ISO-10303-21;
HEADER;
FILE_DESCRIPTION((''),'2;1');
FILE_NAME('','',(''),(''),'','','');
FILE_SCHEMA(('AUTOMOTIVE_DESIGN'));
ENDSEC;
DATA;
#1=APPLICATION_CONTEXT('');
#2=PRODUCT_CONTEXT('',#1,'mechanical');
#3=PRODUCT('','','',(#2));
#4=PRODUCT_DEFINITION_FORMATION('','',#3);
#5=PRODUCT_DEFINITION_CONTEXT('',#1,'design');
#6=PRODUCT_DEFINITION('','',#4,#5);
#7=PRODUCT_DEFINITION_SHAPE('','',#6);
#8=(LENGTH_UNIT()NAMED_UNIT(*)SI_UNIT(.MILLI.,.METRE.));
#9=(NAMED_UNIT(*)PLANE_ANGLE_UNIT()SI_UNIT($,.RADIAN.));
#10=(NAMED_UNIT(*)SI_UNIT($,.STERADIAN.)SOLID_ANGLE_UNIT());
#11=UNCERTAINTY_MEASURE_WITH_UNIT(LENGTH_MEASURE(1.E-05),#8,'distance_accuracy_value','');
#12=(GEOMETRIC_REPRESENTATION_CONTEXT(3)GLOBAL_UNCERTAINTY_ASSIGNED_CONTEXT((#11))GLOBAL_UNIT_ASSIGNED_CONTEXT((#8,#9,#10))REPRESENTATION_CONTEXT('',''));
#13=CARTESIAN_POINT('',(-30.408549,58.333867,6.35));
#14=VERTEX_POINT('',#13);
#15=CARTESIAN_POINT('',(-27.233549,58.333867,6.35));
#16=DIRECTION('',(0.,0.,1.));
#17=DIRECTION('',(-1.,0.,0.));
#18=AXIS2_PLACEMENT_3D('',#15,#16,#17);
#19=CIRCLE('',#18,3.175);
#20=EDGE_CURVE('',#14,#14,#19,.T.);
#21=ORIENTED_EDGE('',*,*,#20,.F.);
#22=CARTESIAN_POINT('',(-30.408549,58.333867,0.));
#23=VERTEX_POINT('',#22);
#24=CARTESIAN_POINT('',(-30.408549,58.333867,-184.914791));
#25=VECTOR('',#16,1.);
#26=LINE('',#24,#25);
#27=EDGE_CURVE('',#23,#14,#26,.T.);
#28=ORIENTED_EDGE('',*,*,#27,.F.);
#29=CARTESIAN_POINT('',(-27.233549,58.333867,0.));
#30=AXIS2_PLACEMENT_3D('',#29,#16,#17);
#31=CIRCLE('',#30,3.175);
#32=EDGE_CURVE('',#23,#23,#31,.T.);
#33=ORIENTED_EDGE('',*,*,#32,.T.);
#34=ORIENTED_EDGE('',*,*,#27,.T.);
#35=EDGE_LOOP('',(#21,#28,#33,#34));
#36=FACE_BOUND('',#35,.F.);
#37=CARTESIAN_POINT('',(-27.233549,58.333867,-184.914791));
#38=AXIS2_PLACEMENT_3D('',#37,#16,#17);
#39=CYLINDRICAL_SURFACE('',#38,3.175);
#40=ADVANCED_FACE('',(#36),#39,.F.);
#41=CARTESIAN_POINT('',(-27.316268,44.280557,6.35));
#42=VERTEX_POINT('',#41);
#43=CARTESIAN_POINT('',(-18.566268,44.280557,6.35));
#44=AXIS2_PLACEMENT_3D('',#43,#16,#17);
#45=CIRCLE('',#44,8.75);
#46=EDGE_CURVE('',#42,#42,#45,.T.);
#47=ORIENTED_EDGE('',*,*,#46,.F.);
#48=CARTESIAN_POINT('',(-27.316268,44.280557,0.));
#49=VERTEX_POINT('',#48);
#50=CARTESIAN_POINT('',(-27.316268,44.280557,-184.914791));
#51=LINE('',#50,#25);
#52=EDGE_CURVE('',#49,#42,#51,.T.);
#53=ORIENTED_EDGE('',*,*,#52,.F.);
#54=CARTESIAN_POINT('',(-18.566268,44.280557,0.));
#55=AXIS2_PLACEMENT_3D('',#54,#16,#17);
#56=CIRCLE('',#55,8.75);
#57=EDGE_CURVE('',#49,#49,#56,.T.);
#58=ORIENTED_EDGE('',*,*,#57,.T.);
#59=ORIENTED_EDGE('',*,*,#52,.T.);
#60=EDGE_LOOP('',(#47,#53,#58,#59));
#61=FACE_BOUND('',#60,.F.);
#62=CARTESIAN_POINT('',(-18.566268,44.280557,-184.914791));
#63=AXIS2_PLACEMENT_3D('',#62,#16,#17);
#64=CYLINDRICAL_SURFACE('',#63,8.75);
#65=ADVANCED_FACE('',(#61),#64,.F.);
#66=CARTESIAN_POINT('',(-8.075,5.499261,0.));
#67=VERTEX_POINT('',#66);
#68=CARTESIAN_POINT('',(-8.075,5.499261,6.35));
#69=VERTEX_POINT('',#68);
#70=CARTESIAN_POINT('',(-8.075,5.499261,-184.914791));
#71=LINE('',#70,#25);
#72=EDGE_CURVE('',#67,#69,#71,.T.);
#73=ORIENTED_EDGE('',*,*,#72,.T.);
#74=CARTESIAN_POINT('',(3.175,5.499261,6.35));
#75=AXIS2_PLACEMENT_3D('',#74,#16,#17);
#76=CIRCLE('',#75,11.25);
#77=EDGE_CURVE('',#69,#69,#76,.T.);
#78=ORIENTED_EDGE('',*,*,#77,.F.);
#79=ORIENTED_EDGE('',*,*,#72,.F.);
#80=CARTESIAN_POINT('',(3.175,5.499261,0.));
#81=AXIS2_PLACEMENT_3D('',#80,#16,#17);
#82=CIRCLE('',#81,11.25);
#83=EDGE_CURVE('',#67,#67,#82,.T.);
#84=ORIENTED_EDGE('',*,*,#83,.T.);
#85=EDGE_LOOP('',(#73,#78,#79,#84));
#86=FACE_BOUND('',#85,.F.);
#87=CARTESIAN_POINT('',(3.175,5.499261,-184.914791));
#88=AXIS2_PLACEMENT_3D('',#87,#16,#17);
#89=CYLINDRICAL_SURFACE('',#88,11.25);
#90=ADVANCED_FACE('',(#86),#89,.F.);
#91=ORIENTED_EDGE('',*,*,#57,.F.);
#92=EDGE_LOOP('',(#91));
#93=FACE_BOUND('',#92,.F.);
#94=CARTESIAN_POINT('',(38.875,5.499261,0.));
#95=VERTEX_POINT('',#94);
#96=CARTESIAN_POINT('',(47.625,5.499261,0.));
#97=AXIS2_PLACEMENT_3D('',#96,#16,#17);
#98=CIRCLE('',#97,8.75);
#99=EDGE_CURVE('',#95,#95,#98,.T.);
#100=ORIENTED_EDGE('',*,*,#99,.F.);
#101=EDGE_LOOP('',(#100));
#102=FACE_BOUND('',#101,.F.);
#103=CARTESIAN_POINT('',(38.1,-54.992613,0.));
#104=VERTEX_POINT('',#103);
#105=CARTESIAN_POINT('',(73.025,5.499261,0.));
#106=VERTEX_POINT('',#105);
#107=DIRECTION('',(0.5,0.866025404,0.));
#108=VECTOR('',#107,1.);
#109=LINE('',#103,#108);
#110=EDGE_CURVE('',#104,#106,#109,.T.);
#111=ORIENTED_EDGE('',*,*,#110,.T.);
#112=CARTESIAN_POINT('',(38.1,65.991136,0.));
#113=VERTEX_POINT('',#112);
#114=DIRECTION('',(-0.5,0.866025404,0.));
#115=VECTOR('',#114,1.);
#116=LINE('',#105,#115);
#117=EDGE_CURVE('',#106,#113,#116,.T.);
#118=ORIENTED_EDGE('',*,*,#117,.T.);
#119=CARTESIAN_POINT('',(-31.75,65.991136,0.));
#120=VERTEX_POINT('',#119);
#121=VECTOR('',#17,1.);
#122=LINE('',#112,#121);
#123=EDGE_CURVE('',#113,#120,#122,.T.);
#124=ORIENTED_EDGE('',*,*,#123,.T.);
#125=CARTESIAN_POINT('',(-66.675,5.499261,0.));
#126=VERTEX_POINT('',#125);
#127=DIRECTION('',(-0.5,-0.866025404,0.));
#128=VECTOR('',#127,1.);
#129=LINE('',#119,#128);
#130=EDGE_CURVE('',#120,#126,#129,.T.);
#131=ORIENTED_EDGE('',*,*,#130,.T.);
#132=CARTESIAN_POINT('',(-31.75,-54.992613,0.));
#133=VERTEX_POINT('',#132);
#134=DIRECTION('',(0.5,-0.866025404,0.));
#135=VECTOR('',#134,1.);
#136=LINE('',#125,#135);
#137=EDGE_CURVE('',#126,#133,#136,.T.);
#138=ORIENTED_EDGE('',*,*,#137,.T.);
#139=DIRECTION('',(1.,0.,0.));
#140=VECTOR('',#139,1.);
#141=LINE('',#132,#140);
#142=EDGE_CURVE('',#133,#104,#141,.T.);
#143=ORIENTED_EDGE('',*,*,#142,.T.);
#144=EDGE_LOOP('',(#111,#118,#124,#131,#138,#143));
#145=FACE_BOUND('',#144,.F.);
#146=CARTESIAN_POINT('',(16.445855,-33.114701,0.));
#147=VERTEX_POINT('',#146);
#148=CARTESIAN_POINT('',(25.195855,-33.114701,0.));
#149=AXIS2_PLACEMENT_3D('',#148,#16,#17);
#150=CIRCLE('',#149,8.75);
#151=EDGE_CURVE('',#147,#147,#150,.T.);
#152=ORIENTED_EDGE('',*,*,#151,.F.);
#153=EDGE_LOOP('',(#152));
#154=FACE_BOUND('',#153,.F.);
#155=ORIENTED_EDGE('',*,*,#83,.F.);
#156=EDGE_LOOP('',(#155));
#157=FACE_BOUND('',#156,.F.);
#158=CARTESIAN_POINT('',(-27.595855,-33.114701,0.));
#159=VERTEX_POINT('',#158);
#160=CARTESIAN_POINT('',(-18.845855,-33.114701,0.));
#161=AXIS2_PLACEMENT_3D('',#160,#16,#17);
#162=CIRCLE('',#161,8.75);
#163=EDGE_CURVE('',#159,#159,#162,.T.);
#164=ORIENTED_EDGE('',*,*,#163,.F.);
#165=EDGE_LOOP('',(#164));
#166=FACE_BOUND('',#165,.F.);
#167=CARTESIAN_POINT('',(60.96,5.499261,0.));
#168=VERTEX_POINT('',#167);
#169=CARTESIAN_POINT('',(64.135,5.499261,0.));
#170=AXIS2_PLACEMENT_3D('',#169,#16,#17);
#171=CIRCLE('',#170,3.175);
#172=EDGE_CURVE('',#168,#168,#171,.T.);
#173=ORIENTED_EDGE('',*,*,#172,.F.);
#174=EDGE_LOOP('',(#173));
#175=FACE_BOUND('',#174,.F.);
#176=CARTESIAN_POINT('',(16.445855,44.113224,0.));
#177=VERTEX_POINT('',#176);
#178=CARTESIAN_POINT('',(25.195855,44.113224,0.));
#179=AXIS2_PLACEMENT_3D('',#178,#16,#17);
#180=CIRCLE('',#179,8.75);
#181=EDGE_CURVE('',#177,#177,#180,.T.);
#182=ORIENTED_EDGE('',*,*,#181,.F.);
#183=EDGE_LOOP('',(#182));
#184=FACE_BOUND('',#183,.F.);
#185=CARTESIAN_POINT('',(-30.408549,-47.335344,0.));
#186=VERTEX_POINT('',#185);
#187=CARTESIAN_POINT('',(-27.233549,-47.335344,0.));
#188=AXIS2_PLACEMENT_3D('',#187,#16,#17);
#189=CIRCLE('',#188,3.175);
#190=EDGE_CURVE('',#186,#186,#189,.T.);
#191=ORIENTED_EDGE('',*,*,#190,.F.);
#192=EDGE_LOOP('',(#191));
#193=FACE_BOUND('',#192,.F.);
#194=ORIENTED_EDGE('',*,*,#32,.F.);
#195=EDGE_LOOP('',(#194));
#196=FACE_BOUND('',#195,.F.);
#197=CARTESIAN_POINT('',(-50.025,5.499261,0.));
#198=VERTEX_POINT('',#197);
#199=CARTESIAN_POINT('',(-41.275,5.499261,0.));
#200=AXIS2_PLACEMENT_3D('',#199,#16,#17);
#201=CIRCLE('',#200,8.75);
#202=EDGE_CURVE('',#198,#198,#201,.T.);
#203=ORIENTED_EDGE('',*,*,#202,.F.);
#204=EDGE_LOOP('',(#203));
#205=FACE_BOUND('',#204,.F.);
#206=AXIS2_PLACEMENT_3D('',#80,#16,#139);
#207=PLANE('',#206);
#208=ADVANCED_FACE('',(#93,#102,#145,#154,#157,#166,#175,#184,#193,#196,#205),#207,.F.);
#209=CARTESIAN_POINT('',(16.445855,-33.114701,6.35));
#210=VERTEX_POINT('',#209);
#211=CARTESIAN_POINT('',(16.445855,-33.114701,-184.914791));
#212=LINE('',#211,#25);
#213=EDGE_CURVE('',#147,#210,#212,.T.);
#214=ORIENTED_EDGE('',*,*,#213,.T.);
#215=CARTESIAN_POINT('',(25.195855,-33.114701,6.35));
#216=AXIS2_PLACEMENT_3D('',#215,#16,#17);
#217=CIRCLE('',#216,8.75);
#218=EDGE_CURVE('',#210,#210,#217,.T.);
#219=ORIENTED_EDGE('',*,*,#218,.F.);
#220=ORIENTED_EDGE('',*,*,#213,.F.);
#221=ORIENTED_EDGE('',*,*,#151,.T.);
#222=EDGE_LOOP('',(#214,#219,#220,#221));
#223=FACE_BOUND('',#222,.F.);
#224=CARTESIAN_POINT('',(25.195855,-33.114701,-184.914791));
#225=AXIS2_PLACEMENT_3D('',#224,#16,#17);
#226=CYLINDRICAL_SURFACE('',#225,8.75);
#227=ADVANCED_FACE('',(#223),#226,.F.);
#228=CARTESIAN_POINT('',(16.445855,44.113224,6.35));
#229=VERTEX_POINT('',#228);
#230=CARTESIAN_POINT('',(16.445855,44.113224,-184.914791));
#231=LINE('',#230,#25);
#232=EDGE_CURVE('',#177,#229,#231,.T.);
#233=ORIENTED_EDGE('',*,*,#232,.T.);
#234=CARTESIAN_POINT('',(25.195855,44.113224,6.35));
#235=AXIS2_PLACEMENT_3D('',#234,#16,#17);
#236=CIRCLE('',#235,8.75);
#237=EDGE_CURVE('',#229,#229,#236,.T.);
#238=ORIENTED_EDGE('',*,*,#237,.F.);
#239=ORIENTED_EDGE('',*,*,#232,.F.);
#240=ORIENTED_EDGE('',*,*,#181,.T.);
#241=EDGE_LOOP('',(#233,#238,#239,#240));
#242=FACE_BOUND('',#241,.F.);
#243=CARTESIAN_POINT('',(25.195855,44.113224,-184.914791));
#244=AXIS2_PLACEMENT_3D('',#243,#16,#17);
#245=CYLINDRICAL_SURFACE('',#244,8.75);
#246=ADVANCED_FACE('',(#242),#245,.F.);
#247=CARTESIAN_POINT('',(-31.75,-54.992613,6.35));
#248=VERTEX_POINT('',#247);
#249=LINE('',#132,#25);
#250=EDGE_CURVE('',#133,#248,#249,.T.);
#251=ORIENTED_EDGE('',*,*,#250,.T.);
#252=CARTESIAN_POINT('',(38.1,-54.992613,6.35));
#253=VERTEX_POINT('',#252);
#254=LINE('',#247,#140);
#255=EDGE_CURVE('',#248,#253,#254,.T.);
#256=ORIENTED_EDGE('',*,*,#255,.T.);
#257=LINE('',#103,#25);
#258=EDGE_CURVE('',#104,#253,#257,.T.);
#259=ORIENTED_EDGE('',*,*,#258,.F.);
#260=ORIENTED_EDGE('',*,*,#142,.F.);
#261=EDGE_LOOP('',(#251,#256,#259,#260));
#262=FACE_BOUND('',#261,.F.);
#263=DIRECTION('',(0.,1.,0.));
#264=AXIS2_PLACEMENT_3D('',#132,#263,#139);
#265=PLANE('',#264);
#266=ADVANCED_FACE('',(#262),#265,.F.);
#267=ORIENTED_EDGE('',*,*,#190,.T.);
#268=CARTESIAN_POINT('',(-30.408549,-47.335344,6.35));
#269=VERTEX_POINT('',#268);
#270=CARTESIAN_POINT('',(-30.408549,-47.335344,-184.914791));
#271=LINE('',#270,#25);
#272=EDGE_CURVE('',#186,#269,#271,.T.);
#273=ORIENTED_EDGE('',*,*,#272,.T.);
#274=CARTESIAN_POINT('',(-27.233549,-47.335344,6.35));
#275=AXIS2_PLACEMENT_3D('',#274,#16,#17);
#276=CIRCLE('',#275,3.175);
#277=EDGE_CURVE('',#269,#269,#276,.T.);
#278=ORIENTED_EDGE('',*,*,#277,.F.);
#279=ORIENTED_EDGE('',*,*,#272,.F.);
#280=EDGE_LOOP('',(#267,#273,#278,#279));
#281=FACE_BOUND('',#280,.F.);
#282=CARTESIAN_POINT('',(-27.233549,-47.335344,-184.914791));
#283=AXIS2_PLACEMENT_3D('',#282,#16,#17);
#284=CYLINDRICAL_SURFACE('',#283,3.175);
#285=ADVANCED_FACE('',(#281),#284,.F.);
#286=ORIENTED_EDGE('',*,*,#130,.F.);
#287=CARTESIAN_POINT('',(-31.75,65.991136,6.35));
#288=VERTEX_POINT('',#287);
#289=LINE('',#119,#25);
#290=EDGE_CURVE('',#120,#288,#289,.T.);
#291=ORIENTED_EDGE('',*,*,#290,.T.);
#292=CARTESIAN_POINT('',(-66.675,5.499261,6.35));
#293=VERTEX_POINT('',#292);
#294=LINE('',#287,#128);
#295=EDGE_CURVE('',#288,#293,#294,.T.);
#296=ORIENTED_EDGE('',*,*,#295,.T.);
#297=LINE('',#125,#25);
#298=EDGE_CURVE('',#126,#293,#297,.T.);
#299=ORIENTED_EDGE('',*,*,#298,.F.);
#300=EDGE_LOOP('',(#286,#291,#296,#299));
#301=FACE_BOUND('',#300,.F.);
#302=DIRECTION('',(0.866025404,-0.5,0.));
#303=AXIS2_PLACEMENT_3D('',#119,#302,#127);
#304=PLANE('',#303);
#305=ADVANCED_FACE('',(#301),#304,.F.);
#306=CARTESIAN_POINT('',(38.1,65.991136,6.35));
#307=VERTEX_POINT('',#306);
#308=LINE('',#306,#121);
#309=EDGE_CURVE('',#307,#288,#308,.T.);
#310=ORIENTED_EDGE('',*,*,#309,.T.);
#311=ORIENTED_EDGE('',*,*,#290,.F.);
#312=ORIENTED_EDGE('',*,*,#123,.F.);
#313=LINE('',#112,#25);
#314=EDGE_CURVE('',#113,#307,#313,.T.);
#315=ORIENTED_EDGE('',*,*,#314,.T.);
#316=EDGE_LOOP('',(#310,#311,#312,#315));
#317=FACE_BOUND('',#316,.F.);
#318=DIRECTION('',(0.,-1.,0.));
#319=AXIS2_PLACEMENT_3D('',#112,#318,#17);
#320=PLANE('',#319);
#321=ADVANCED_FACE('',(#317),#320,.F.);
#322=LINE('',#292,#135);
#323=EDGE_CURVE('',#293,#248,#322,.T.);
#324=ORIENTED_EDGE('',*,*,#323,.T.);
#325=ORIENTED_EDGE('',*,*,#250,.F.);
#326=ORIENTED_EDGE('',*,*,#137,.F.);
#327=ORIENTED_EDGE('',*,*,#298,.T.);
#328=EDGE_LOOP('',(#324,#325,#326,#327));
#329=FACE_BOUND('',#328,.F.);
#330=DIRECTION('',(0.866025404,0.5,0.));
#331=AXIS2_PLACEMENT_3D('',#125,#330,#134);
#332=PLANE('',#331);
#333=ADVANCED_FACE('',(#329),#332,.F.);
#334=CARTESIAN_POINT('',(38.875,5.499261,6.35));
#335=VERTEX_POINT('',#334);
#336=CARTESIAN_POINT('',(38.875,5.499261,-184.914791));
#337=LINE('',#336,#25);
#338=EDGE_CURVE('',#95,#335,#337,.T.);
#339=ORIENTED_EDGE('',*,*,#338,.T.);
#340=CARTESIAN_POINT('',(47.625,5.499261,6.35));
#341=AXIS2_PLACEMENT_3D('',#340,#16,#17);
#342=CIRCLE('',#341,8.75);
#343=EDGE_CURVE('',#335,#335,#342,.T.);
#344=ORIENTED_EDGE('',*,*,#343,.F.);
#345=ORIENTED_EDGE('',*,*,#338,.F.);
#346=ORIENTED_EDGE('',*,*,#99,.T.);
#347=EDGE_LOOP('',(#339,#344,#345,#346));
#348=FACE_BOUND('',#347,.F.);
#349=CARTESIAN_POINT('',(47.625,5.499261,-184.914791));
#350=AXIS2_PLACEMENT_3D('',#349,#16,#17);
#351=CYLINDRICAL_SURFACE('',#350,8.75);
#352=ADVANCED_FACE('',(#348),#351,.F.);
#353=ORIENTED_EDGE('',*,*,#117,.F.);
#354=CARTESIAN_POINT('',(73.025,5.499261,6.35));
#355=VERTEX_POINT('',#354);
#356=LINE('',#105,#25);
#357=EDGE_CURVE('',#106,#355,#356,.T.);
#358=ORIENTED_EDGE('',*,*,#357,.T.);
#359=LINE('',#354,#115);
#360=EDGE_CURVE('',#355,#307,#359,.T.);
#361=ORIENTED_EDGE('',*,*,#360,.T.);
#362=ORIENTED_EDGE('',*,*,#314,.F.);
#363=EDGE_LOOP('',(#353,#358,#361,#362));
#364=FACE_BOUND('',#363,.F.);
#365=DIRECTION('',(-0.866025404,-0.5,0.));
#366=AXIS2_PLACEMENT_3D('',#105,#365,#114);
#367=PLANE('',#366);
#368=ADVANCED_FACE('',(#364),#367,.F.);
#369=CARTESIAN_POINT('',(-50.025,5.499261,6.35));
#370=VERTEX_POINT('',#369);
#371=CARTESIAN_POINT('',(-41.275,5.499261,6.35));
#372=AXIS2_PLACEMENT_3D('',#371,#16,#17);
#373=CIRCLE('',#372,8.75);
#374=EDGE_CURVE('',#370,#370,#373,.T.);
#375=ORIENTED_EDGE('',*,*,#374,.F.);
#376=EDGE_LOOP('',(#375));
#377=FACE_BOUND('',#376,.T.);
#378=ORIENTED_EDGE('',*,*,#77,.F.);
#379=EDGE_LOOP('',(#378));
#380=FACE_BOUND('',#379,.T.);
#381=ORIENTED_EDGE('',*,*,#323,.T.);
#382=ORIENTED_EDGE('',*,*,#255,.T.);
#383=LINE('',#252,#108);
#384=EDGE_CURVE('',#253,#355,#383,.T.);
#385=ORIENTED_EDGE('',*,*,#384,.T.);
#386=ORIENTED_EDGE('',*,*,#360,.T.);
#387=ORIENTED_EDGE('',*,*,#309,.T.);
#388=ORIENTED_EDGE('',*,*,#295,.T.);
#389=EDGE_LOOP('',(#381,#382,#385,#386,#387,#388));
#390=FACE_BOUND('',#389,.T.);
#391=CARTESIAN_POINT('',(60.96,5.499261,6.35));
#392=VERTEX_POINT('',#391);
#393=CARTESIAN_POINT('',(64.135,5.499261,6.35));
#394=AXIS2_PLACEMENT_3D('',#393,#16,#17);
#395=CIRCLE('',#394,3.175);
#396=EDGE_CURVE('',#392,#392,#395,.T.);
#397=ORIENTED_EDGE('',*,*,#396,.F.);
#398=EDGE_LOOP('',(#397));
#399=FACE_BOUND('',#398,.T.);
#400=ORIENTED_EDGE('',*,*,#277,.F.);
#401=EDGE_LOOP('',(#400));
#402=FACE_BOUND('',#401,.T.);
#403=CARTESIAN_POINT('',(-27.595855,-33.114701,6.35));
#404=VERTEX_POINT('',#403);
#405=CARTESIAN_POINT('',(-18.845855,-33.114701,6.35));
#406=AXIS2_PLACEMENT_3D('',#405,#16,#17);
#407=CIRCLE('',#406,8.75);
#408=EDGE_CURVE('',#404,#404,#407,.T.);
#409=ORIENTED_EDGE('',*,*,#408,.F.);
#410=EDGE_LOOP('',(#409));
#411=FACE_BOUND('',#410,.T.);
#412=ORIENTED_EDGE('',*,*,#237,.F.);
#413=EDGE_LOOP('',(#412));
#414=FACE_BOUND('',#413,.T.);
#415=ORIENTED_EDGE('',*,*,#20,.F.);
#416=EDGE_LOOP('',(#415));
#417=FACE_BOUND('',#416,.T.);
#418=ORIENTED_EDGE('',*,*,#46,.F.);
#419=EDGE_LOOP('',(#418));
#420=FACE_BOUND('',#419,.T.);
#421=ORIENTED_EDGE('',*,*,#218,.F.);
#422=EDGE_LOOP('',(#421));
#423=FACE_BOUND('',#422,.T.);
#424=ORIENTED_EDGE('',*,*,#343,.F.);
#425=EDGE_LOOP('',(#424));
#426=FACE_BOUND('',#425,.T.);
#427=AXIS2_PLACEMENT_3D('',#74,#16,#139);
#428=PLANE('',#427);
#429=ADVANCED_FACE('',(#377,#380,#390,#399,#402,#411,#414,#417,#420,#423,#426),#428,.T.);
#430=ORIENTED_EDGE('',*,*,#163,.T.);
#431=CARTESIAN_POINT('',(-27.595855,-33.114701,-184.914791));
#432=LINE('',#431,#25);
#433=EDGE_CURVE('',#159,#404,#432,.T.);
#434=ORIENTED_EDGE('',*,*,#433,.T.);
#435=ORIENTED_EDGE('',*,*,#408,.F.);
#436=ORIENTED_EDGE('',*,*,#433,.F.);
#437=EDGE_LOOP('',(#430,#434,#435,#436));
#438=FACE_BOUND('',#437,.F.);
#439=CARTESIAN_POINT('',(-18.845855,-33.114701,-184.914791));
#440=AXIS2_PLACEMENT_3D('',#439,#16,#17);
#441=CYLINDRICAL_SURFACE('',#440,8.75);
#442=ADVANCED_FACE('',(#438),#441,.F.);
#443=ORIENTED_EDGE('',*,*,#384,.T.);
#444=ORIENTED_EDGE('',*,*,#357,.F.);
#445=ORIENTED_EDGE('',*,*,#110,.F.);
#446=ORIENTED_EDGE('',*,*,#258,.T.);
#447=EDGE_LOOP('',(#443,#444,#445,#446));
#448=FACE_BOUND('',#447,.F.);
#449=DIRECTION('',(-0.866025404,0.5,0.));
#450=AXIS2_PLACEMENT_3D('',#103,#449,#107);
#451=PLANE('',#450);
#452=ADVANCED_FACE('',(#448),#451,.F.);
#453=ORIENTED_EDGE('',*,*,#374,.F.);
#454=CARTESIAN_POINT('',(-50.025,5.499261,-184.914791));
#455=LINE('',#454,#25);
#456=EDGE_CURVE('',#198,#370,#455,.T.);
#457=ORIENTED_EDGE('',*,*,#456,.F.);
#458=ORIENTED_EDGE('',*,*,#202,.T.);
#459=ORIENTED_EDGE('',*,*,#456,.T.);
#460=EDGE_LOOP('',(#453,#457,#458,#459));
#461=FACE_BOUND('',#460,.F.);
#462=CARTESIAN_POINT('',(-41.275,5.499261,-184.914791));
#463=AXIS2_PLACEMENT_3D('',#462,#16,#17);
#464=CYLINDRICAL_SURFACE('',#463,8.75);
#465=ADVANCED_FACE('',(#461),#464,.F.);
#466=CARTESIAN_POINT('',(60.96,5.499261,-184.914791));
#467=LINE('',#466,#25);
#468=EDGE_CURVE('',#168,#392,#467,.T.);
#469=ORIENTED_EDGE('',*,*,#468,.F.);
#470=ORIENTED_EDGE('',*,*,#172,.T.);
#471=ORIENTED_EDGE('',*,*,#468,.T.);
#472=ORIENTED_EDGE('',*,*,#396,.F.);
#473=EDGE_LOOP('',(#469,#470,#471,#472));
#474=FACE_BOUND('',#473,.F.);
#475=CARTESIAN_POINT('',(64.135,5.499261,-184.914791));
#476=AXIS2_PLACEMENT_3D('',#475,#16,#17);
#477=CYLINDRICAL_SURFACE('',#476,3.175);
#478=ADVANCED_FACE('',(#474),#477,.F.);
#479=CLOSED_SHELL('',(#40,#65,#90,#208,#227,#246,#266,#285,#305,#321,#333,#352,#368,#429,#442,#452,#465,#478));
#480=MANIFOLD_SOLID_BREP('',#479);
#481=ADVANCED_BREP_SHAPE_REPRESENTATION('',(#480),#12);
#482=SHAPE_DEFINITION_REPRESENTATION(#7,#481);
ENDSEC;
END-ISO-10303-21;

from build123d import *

# Parameters (mm, degrees)
F1_DEPTH = 6.35
F2_D     = 17.5
F3_D     = 6.35
F4_D     = 22.5


with BuildPart() as f1:
    # F0 (on Top) → F1 (new body)
    with BuildSketch(Plane.XY):
        Polygon((38.1, 65.9911357684), (-31.75, 65.9911357684), (-66.675, 5.499261314), (-31.75, -54.9926131403), (38.1, -54.9926131403), (73.025, 5.499261314), align=None)
    extrude(amount=F1_DEPTH)

    # F2 (through all)
    with Locations(Plane(origin=(0, 0, 0), x_dir=(1, 0, 0), z_dir=(0, 0, -1))):
        with Locations((25.195854684, -44.1132237642), (47.625, -5.499261314), (25.195854684, 33.1147011361), (-18.845854684, 33.1147011361), (-41.275, -5.499261314), (-18.5662683496, -44.2805572462)):
            Hole(F2_D / 2)

    # F3 (through all)
    with Locations(Plane(origin=(0, 0, 0), x_dir=(1, 0, 0), z_dir=(0, 0, -1))):
        with Locations((64.135, -5.499261314), (-27.2335491394, 47.3353439388), (-27.2335491394, -58.3338665669)):
            Hole(F3_D / 2)

    # F4 (through all)
    with Locations(Plane(origin=(0, 0, 0), x_dir=(1, 0, 0), z_dir=(0, 0, -1))):
        with Locations((3.175, -5.499261314)):
            Hole(F4_D / 2)


solid = f1.part
